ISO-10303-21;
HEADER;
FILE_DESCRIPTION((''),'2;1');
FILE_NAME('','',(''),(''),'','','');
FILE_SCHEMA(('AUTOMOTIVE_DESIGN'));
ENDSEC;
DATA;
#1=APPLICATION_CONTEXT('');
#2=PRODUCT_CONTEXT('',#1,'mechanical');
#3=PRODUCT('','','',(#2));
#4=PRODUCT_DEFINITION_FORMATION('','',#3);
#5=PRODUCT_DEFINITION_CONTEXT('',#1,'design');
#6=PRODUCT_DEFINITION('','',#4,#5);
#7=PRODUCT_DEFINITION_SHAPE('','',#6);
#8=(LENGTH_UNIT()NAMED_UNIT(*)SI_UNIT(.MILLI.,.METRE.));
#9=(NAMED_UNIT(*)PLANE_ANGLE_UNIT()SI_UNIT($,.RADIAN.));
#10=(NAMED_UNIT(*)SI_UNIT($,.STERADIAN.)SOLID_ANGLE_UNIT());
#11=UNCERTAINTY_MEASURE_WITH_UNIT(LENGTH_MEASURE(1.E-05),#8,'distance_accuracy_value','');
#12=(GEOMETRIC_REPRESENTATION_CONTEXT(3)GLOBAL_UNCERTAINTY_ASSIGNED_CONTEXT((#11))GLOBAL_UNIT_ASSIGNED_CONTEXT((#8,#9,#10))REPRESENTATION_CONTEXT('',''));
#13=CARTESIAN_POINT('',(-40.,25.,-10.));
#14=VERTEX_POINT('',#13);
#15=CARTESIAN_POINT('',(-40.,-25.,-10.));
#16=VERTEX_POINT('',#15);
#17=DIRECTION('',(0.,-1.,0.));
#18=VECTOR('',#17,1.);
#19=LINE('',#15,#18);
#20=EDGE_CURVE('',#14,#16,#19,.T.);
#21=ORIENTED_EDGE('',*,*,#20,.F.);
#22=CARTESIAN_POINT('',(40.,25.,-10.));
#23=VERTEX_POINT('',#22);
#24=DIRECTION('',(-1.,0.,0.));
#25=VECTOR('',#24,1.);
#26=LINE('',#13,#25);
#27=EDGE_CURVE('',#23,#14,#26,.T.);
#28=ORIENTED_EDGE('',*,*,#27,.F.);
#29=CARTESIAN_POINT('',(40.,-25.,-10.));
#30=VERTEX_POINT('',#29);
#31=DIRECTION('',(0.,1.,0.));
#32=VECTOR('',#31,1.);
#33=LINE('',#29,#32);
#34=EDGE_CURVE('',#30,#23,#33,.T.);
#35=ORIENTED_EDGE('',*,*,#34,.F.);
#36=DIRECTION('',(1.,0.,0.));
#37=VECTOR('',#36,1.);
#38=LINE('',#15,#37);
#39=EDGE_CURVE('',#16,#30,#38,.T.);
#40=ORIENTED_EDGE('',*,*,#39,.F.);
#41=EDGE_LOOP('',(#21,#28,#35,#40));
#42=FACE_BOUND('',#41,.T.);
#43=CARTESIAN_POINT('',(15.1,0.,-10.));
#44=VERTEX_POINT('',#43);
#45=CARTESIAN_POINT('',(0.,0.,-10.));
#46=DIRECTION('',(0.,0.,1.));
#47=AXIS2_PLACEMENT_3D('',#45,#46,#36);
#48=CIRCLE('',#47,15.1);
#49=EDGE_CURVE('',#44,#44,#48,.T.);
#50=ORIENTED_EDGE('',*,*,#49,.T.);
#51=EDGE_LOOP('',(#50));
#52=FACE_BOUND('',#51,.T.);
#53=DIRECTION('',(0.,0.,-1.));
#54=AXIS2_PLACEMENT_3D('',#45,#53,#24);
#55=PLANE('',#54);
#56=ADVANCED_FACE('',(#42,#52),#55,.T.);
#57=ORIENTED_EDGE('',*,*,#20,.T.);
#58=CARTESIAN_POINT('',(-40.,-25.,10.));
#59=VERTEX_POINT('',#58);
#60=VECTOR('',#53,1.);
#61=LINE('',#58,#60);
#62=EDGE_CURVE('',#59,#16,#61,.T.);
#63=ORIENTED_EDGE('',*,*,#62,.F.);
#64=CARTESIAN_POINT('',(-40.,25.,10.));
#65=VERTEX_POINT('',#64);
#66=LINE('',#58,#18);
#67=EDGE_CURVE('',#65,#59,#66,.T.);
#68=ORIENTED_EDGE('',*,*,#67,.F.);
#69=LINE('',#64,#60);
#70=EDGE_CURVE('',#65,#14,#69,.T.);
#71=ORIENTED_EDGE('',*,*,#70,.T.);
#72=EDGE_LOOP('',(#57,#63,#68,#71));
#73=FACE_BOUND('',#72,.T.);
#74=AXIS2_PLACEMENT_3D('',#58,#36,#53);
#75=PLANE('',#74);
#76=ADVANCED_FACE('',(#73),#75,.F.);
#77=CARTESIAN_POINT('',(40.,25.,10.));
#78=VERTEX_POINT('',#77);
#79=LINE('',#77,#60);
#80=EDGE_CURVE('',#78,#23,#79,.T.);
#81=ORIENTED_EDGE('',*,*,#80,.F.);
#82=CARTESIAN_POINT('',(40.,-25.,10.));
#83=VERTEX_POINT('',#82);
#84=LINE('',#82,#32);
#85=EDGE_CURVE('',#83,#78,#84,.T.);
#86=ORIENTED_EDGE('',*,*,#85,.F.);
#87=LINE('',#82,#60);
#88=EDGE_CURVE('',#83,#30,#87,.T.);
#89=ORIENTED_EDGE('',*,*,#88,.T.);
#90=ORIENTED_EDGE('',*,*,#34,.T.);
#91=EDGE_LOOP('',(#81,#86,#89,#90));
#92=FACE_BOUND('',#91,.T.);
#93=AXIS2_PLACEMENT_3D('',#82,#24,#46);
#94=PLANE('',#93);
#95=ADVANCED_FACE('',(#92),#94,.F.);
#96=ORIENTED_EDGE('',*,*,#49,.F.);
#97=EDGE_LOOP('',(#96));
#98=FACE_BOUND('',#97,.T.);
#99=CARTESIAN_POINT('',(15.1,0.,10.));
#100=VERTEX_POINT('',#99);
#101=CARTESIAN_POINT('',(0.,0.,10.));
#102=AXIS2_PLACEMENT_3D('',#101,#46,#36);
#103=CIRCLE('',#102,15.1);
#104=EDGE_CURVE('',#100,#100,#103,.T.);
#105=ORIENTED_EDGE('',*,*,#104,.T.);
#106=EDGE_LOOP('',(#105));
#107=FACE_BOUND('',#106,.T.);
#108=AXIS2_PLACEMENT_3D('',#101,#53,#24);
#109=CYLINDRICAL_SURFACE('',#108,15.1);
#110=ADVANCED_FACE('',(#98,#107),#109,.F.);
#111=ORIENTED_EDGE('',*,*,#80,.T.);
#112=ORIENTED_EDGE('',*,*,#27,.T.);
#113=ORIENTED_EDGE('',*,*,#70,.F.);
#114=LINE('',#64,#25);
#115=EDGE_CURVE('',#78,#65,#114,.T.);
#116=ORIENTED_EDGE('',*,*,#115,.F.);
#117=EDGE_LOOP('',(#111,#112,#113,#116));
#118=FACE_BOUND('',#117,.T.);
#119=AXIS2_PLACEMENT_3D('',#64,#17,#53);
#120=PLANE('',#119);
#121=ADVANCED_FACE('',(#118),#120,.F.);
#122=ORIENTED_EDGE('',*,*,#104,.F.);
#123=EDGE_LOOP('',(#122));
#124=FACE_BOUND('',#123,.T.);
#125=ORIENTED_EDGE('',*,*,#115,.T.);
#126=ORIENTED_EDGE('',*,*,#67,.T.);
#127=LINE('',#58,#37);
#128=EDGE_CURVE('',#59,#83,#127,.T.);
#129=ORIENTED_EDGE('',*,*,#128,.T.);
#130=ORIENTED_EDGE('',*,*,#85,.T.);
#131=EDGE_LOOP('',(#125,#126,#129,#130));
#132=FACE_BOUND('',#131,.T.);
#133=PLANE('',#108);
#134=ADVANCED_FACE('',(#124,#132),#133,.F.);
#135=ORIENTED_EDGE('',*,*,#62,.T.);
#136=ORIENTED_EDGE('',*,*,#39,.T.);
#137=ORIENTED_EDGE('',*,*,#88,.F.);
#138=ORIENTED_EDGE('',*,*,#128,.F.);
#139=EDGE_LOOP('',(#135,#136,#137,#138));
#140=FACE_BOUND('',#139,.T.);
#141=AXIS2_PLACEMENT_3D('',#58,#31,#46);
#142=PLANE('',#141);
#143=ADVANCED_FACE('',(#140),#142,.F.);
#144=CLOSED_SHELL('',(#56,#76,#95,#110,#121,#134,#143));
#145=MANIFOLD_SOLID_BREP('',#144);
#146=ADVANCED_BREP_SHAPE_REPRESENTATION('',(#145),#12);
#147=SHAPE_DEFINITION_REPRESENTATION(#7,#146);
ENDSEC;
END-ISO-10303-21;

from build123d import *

# Parameters (mm, degrees)
BEARING_BLOCK_PROFILE_W     = 80
BEARING_BLOCK_PROFILE_H     = 50
BEARING_BLOCK_PROFILE_R     = 15.1
BEARING_BLOCK_EXTRUDE_DEPTH = 10


with BuildPart() as part:
    # Bearing_Block_Profile → Bearing_Block_Extrude (new, symmetric)
    with BuildSketch(Plane.XY):
        Rectangle(BEARING_BLOCK_PROFILE_W, BEARING_BLOCK_PROFILE_H)
        Circle(BEARING_BLOCK_PROFILE_R, mode=Mode.SUBTRACT)
    extrude(amount=BEARING_BLOCK_EXTRUDE_DEPTH, both=True)


solid = part.part
